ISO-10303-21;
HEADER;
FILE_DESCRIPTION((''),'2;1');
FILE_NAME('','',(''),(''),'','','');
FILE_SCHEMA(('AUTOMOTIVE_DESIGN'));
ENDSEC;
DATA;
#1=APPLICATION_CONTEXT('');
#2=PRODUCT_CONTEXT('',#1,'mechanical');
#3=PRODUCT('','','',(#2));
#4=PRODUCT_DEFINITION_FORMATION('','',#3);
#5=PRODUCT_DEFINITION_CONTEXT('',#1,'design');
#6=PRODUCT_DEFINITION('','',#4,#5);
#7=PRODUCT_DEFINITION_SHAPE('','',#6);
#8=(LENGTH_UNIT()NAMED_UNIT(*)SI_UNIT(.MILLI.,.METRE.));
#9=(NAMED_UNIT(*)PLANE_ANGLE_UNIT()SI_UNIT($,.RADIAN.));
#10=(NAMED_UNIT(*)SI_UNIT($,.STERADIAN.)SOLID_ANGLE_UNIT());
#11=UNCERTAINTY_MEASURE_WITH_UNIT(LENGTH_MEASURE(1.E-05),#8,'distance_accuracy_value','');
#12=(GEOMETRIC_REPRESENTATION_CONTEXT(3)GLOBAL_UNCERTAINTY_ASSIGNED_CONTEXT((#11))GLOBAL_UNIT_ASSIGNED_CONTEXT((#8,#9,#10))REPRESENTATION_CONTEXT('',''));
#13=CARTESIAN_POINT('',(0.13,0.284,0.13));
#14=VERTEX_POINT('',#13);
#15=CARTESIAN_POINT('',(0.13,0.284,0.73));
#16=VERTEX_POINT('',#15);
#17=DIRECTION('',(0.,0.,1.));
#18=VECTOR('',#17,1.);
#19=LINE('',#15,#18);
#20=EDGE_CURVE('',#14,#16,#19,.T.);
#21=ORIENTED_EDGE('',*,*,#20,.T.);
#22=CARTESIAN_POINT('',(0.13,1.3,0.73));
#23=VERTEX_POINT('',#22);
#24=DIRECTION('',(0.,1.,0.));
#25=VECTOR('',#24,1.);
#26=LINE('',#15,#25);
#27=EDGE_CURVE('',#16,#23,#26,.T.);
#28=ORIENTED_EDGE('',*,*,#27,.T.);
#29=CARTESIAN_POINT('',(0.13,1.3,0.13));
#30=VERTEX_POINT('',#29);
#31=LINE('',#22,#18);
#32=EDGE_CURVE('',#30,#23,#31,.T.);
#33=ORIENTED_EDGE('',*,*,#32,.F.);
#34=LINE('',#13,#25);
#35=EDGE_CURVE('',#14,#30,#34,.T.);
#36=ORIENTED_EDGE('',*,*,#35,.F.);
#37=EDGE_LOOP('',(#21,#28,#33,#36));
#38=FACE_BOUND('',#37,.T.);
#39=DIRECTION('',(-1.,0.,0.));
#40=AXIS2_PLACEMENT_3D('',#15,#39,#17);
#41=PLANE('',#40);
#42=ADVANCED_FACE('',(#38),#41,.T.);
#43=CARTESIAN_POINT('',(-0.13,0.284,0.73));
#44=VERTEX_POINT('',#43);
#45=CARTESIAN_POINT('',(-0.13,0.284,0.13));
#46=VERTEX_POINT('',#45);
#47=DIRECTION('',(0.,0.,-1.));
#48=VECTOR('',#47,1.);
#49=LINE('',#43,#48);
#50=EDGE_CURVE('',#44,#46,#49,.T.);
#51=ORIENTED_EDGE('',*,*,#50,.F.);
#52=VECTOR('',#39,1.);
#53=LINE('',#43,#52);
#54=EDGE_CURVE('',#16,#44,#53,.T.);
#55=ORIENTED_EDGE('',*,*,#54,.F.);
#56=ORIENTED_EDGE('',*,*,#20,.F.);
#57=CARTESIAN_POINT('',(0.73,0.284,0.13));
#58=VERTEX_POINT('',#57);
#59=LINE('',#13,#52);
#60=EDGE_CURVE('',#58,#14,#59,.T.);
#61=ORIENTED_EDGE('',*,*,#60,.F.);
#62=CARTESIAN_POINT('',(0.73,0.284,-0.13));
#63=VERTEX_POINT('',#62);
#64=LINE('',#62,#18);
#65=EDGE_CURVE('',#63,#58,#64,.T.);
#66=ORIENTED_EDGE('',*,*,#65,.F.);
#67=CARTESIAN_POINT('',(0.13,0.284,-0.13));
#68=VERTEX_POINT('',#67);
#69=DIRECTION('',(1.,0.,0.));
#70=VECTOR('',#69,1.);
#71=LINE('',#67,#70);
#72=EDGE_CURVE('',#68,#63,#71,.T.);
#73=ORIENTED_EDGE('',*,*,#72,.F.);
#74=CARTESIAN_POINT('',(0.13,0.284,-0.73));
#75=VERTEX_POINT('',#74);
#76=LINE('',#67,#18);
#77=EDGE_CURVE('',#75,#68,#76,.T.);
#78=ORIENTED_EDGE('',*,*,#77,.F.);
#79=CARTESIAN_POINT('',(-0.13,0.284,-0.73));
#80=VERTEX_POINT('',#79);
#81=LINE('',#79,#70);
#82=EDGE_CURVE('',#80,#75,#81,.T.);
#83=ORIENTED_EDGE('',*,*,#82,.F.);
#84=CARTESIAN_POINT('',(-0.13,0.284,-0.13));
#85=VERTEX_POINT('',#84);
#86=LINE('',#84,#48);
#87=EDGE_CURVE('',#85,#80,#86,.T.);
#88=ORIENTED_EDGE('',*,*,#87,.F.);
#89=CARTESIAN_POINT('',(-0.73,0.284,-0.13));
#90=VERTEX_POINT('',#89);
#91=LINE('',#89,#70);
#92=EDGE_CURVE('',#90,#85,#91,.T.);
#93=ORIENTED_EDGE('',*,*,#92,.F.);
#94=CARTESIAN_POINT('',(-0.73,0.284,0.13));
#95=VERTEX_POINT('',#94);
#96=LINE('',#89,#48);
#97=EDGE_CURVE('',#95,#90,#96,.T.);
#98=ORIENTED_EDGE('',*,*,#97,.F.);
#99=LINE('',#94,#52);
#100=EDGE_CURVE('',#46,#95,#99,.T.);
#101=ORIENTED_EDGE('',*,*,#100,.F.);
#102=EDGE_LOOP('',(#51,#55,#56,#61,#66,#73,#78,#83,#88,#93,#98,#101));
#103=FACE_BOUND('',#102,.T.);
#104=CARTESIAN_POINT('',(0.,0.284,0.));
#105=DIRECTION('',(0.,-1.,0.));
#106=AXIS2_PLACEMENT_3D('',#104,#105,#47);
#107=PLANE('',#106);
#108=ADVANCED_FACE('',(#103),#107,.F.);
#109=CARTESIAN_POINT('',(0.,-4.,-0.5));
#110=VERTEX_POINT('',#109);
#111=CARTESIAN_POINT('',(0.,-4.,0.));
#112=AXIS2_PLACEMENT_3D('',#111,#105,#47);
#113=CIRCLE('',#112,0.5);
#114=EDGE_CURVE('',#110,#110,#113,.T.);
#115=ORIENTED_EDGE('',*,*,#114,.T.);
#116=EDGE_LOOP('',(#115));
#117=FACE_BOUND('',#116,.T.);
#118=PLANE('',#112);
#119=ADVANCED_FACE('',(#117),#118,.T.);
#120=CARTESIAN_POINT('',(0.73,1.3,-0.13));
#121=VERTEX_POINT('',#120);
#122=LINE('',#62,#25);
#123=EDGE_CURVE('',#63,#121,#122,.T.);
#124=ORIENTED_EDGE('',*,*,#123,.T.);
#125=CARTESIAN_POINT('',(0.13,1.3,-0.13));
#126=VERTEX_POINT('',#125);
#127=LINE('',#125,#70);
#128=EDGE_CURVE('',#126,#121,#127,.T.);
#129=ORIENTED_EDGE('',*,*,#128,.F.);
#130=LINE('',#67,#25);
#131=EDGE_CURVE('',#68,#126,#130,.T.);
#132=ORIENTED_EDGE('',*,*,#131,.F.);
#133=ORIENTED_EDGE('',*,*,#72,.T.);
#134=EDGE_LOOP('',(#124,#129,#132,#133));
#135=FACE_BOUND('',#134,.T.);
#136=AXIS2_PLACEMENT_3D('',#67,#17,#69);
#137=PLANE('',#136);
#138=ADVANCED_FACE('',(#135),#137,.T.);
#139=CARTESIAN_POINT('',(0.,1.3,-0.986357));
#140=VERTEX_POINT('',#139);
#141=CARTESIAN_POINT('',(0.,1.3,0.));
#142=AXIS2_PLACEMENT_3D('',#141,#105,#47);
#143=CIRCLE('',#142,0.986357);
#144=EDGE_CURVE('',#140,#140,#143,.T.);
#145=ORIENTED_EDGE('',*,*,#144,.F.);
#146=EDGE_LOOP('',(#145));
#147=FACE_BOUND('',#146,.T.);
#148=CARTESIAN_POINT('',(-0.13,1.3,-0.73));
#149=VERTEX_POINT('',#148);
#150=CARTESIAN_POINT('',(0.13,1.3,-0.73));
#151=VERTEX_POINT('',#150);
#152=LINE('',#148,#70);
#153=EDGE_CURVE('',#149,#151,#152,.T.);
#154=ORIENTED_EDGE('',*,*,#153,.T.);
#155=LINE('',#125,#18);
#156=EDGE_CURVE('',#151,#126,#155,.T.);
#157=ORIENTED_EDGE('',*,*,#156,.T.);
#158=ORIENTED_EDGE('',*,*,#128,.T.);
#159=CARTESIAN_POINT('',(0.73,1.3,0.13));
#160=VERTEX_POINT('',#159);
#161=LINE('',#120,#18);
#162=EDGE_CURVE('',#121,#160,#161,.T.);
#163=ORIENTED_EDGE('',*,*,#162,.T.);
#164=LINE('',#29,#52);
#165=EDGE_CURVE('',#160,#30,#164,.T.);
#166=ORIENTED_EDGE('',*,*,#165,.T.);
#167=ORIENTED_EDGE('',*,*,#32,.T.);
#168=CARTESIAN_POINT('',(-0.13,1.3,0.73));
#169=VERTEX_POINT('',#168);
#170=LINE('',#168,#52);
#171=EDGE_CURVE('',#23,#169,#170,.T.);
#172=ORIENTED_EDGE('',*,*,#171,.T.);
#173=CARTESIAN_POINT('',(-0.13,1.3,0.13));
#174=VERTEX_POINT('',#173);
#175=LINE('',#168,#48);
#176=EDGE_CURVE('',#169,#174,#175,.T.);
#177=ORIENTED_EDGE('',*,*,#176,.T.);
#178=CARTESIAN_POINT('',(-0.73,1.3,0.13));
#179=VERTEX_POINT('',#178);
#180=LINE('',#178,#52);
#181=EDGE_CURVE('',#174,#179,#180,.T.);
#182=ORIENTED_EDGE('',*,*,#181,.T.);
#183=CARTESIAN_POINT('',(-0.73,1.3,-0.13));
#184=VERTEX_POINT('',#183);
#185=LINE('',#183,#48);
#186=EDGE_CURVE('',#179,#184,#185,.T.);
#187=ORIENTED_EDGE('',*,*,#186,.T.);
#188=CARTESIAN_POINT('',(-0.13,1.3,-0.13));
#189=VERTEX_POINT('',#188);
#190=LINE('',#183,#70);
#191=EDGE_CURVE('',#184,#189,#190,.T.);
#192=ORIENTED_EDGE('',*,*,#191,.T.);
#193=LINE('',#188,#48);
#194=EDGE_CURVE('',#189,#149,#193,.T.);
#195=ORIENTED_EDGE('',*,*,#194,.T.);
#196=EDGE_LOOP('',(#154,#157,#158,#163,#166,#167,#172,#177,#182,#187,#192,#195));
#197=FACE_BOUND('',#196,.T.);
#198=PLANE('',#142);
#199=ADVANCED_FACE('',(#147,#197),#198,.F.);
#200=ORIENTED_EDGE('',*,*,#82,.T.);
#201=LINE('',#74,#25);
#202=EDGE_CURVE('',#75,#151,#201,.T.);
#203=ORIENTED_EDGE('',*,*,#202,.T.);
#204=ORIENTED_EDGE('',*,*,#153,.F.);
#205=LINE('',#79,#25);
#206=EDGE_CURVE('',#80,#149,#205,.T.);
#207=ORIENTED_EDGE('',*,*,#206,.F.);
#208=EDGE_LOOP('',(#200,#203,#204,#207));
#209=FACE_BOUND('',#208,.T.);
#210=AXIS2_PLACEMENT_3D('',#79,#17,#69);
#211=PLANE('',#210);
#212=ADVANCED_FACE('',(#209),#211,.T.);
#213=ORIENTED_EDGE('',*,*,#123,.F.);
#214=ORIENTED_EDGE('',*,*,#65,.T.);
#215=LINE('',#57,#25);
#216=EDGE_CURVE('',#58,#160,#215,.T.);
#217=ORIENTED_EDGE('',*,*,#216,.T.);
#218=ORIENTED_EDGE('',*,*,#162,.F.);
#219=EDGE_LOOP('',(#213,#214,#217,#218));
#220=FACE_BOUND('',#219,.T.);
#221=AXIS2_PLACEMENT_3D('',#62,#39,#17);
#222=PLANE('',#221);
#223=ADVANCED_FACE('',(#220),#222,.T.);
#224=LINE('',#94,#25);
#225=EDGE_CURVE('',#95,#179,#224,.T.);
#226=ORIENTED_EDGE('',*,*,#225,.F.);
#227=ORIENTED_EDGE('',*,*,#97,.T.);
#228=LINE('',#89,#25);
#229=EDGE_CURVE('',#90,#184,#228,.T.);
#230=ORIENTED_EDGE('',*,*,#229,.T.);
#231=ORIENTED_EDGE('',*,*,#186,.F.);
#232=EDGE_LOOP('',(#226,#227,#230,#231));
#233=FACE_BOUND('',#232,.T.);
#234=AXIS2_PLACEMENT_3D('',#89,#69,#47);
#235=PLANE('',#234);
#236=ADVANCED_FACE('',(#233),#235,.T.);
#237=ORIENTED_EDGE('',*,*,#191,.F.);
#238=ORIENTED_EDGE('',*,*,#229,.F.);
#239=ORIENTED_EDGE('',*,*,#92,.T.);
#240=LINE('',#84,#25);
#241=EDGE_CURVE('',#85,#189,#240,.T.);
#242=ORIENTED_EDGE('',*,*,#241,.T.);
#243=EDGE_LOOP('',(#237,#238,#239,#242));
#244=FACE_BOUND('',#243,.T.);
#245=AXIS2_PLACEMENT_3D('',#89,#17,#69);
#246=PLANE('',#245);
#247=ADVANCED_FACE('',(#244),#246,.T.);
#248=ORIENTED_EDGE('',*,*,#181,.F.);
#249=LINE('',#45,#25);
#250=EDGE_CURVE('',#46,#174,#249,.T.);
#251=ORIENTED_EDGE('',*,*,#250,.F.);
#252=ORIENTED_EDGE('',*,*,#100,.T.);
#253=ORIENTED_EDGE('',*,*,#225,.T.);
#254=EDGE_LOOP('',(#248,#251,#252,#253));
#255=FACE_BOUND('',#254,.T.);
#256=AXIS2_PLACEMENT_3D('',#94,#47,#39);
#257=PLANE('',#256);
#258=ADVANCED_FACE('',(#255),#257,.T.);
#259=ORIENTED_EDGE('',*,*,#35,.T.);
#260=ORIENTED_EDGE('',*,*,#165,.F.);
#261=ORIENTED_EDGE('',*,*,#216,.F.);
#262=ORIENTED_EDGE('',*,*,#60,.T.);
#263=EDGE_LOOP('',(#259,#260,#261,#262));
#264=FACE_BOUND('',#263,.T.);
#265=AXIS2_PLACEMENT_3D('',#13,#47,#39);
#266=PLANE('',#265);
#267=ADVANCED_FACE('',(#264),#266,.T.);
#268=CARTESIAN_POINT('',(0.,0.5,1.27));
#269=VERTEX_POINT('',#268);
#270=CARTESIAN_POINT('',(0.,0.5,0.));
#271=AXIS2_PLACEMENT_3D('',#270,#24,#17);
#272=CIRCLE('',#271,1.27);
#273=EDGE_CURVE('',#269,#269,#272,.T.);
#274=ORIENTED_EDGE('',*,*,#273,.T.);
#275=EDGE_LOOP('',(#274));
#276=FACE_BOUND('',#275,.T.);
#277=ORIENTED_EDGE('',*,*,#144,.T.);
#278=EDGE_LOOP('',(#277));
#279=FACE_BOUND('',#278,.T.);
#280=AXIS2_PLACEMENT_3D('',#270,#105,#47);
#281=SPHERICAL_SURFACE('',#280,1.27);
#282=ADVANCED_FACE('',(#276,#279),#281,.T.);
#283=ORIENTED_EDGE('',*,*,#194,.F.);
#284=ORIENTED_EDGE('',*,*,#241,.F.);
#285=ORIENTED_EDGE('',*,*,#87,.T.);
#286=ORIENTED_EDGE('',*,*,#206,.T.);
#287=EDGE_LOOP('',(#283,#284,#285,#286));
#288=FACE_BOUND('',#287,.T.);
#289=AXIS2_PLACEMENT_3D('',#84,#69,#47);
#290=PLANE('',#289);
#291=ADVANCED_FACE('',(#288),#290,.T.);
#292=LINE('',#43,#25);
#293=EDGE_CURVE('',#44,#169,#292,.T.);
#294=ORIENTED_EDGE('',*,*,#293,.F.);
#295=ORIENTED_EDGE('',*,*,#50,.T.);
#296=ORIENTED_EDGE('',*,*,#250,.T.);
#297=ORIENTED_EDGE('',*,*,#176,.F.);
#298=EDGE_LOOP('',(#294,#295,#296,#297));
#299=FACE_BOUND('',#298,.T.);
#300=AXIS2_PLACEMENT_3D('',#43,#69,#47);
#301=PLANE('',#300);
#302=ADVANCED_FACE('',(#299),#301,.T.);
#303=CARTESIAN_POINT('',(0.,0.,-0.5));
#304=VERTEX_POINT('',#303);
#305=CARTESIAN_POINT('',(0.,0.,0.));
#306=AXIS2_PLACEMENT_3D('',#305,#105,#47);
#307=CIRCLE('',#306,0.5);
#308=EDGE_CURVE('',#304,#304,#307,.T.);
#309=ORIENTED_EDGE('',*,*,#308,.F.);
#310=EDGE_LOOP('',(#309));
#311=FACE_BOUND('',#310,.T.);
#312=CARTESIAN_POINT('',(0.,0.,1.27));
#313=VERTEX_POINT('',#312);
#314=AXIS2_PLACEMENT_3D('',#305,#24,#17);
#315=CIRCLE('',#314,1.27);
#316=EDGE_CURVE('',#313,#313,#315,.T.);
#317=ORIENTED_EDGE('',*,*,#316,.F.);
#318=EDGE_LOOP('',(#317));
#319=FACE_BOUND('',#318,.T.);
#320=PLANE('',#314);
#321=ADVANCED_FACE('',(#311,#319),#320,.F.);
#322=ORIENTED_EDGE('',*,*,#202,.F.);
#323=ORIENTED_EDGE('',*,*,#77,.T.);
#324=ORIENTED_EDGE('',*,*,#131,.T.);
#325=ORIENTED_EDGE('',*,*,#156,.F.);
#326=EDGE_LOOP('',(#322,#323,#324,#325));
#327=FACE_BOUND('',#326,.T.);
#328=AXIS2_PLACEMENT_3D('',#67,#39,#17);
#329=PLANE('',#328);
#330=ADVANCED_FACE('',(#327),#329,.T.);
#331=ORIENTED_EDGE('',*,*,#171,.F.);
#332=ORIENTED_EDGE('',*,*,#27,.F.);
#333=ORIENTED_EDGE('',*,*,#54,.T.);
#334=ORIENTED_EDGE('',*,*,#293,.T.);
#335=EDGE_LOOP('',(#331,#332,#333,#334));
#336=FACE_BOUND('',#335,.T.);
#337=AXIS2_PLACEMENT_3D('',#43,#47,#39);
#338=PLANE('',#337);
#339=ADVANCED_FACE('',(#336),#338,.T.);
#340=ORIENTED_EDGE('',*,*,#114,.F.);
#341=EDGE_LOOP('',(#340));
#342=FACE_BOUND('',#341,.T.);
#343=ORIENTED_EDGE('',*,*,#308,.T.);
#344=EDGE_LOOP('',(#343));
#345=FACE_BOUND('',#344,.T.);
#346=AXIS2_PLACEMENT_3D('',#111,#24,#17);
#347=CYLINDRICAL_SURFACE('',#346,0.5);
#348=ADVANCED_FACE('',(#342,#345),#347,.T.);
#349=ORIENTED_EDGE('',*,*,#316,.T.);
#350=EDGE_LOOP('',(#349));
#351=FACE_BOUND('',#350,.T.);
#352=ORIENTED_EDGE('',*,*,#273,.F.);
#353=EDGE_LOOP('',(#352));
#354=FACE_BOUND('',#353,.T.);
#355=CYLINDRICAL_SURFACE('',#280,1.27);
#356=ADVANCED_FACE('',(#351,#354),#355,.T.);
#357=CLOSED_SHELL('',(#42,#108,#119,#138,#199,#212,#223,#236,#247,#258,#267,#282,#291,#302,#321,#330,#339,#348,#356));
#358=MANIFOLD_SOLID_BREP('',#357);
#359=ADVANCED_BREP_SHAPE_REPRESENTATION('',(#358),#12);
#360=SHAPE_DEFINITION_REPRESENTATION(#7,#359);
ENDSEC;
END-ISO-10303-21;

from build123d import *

# Parameters (mm, degrees)
SKETCH1_R           = 1.27
BOSS_EXTRUDE1_DEPTH = 0.5
REVOLVE1_ANGLE      = 180
SKETCH4_R           = 2.5
CUT_EXTRUDE2_DEPTH  = 1.016
CUT_EXTRUDE3_DEPTH  = 1.016
SKETCH6_R           = 0.5
BOSS_EXTRUDE2_DEPTH = 4


with BuildPart() as part:
    # Sketch1 → Boss-Extrude1 (new body)
    with BuildSketch(Plane(origin=(0, 0, 0), x_dir=(1, 0, 0), z_dir=(0, 1, 0))):
        Circle(SKETCH1_R)
    extrude(amount=BOSS_EXTRUDE1_DEPTH)

    # Sketch2 → Revolve1 (revolve)
    with BuildSketch(Plane(origin=(0, 0.5, 0), x_dir=(1, 0, 0), z_dir=(0, 1, 0))):
        with BuildLine():
            Line((0, 1.27), (0, -1.27))
            ThreePointArc((0, -1.27), (-1.27, 0), (0, 1.27))
        make_face()
    revolve(axis=Axis((0, 0.5, -1.27), (0, 0, -1)), revolution_arc=REVOLVE1_ANGLE)

    # Sketch4 → Cut-Extrude2 (cut)
    with BuildSketch(Plane(origin=(0, 1.3, 0), x_dir=(-1, 0, 0), z_dir=(0, -1, 0))):
        Circle(SKETCH4_R)
    extrude(amount=-CUT_EXTRUDE2_DEPTH, mode=Mode.SUBTRACT)

    # Sketch5 → Cut-Extrude3 (cut)
    with BuildSketch(Plane(origin=(0, 1.3, 0), x_dir=(-1, 0, 0), z_dir=(0, -1, 0))):
        Polygon((0.13, 0.13), (0.13, 0.73), (-0.13, 0.73), (-0.13, 0.13), (-0.73, 0.13), (-0.73, -0.13), (-0.13, -0.13), (-0.13, -0.73), (0.13, -0.73), (0.13, -0.13), (0.73, -0.13), (0.73, 0.13), align=None)
    extrude(amount=CUT_EXTRUDE3_DEPTH, mode=Mode.SUBTRACT)

    # Sketch6 → Boss-Extrude2 (add)
    with BuildSketch(Plane.XZ):
        Circle(SKETCH6_R)
    extrude(amount=BOSS_EXTRUDE2_DEPTH)


solid = part.part
